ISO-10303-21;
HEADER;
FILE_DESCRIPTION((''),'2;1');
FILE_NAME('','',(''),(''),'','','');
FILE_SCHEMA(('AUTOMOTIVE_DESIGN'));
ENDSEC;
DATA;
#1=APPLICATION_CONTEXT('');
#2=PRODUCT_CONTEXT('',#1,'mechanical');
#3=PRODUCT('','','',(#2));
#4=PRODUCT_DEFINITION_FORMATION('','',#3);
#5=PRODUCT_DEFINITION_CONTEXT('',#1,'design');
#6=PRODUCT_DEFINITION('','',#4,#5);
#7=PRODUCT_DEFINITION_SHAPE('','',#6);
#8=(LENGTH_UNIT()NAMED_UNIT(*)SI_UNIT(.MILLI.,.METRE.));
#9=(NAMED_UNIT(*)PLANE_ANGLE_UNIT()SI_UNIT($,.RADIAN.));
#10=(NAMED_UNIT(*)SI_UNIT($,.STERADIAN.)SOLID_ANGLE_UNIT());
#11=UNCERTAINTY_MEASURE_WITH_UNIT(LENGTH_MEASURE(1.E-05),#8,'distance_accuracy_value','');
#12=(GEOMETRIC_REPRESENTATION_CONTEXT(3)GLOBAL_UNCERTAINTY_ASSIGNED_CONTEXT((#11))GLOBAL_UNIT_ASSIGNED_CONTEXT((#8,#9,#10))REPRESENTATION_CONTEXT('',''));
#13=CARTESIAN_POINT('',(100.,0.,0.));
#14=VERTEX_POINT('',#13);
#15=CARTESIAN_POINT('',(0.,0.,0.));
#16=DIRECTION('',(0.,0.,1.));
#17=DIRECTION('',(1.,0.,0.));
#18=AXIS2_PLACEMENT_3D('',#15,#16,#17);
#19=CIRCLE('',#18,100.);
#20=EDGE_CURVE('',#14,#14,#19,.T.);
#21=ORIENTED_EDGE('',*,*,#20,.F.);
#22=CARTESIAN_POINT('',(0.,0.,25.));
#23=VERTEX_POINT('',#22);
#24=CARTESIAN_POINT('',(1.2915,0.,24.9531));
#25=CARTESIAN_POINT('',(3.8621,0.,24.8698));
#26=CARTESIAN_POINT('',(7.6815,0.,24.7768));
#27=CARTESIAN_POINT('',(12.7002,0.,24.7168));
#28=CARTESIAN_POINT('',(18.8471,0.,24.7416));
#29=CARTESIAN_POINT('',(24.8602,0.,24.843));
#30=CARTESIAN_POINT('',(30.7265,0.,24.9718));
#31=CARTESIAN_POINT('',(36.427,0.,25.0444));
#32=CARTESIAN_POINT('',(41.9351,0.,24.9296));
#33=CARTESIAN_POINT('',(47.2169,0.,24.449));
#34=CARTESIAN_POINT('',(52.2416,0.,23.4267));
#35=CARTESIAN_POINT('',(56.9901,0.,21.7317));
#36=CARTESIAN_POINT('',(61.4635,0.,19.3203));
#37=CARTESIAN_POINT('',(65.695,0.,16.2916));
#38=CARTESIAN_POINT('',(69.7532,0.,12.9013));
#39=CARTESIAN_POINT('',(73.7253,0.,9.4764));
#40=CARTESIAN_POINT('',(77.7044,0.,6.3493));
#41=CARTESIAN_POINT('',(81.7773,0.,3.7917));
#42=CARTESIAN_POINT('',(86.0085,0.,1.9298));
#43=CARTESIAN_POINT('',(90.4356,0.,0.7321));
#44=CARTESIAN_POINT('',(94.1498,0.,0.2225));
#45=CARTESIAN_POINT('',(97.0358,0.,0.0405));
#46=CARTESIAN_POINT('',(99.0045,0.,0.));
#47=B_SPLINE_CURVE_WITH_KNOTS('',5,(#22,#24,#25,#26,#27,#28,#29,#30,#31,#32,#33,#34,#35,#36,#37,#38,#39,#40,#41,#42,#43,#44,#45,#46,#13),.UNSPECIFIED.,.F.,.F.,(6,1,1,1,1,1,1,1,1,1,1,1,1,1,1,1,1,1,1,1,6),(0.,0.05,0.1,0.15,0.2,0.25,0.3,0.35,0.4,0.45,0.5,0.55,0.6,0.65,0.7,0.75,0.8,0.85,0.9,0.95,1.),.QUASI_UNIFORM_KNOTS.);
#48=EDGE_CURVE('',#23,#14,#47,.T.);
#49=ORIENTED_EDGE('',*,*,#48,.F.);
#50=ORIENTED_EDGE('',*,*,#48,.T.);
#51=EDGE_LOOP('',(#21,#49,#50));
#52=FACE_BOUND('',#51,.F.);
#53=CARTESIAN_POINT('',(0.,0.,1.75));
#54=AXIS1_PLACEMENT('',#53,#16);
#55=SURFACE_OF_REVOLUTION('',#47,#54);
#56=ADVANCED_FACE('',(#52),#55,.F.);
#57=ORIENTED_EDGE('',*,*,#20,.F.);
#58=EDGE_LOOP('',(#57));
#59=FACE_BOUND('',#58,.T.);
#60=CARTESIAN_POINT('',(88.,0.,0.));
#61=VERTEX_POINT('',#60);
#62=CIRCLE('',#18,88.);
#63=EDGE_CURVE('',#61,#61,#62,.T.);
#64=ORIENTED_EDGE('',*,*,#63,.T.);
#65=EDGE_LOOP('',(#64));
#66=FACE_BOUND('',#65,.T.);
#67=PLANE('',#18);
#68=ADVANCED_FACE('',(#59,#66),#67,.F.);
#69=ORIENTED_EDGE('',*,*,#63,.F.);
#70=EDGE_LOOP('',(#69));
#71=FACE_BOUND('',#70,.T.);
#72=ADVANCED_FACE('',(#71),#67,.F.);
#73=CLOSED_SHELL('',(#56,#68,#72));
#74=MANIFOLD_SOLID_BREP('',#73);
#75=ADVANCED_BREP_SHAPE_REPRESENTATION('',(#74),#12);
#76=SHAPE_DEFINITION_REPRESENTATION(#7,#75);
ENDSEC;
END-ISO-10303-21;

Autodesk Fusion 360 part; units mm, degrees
sketch "Sketch4" plane through (0, 0, 0) normal (0, 1, 0) x (1, 0, 0)
  spline S0 degree 5 poles (0, -25) (1.2915, -24.9531) (3.8621, -24.8698) (7.6815, -24.7768) (12.7002, -24.7168) (18.8471, -24.7416) (24.8602, -24.843) (30.7265, -24.9718) (36.427, -25.0444) (41.9351, -24.9296) (47.2169, -24.449) (52.2416, -23.4267) (56.9901, -21.7317) (61.4635, -19.3203) (65.695, -16.2916) (69.7532, -12.9013) (73.7253, -9.4764) (77.7044, -6.3493) (81.7773, -3.7917) (86.0085, -1.9298) (90.4356, -0.7321) (94.1498, -0.2225) (97.0358, -0.0405) (99.0045, 0) (100, 0) knots 0 0 0 0 0 0 0.05 0.1 0.15 0.2 0.25 0.3 0.35 0.4 0.45 0.5 0.55 0.6 0.65 0.7 0.75 0.8 0.85 0.9 0.95 1 1 1 1 1 1
  line L0 (88, 0) -> (112, 0)
  line L1 (0, 0) -> (100, 0)
  line L2 (0, 0) -> (0, -25)
  point P0 (35, -25)
  point P1 (60, -20)
  point P2 (80, -5)
revolve "Revolve2" add sketch "Sketch4" angle 360 about axis through (0, 0, 1.75) along (0, 0, 1)
